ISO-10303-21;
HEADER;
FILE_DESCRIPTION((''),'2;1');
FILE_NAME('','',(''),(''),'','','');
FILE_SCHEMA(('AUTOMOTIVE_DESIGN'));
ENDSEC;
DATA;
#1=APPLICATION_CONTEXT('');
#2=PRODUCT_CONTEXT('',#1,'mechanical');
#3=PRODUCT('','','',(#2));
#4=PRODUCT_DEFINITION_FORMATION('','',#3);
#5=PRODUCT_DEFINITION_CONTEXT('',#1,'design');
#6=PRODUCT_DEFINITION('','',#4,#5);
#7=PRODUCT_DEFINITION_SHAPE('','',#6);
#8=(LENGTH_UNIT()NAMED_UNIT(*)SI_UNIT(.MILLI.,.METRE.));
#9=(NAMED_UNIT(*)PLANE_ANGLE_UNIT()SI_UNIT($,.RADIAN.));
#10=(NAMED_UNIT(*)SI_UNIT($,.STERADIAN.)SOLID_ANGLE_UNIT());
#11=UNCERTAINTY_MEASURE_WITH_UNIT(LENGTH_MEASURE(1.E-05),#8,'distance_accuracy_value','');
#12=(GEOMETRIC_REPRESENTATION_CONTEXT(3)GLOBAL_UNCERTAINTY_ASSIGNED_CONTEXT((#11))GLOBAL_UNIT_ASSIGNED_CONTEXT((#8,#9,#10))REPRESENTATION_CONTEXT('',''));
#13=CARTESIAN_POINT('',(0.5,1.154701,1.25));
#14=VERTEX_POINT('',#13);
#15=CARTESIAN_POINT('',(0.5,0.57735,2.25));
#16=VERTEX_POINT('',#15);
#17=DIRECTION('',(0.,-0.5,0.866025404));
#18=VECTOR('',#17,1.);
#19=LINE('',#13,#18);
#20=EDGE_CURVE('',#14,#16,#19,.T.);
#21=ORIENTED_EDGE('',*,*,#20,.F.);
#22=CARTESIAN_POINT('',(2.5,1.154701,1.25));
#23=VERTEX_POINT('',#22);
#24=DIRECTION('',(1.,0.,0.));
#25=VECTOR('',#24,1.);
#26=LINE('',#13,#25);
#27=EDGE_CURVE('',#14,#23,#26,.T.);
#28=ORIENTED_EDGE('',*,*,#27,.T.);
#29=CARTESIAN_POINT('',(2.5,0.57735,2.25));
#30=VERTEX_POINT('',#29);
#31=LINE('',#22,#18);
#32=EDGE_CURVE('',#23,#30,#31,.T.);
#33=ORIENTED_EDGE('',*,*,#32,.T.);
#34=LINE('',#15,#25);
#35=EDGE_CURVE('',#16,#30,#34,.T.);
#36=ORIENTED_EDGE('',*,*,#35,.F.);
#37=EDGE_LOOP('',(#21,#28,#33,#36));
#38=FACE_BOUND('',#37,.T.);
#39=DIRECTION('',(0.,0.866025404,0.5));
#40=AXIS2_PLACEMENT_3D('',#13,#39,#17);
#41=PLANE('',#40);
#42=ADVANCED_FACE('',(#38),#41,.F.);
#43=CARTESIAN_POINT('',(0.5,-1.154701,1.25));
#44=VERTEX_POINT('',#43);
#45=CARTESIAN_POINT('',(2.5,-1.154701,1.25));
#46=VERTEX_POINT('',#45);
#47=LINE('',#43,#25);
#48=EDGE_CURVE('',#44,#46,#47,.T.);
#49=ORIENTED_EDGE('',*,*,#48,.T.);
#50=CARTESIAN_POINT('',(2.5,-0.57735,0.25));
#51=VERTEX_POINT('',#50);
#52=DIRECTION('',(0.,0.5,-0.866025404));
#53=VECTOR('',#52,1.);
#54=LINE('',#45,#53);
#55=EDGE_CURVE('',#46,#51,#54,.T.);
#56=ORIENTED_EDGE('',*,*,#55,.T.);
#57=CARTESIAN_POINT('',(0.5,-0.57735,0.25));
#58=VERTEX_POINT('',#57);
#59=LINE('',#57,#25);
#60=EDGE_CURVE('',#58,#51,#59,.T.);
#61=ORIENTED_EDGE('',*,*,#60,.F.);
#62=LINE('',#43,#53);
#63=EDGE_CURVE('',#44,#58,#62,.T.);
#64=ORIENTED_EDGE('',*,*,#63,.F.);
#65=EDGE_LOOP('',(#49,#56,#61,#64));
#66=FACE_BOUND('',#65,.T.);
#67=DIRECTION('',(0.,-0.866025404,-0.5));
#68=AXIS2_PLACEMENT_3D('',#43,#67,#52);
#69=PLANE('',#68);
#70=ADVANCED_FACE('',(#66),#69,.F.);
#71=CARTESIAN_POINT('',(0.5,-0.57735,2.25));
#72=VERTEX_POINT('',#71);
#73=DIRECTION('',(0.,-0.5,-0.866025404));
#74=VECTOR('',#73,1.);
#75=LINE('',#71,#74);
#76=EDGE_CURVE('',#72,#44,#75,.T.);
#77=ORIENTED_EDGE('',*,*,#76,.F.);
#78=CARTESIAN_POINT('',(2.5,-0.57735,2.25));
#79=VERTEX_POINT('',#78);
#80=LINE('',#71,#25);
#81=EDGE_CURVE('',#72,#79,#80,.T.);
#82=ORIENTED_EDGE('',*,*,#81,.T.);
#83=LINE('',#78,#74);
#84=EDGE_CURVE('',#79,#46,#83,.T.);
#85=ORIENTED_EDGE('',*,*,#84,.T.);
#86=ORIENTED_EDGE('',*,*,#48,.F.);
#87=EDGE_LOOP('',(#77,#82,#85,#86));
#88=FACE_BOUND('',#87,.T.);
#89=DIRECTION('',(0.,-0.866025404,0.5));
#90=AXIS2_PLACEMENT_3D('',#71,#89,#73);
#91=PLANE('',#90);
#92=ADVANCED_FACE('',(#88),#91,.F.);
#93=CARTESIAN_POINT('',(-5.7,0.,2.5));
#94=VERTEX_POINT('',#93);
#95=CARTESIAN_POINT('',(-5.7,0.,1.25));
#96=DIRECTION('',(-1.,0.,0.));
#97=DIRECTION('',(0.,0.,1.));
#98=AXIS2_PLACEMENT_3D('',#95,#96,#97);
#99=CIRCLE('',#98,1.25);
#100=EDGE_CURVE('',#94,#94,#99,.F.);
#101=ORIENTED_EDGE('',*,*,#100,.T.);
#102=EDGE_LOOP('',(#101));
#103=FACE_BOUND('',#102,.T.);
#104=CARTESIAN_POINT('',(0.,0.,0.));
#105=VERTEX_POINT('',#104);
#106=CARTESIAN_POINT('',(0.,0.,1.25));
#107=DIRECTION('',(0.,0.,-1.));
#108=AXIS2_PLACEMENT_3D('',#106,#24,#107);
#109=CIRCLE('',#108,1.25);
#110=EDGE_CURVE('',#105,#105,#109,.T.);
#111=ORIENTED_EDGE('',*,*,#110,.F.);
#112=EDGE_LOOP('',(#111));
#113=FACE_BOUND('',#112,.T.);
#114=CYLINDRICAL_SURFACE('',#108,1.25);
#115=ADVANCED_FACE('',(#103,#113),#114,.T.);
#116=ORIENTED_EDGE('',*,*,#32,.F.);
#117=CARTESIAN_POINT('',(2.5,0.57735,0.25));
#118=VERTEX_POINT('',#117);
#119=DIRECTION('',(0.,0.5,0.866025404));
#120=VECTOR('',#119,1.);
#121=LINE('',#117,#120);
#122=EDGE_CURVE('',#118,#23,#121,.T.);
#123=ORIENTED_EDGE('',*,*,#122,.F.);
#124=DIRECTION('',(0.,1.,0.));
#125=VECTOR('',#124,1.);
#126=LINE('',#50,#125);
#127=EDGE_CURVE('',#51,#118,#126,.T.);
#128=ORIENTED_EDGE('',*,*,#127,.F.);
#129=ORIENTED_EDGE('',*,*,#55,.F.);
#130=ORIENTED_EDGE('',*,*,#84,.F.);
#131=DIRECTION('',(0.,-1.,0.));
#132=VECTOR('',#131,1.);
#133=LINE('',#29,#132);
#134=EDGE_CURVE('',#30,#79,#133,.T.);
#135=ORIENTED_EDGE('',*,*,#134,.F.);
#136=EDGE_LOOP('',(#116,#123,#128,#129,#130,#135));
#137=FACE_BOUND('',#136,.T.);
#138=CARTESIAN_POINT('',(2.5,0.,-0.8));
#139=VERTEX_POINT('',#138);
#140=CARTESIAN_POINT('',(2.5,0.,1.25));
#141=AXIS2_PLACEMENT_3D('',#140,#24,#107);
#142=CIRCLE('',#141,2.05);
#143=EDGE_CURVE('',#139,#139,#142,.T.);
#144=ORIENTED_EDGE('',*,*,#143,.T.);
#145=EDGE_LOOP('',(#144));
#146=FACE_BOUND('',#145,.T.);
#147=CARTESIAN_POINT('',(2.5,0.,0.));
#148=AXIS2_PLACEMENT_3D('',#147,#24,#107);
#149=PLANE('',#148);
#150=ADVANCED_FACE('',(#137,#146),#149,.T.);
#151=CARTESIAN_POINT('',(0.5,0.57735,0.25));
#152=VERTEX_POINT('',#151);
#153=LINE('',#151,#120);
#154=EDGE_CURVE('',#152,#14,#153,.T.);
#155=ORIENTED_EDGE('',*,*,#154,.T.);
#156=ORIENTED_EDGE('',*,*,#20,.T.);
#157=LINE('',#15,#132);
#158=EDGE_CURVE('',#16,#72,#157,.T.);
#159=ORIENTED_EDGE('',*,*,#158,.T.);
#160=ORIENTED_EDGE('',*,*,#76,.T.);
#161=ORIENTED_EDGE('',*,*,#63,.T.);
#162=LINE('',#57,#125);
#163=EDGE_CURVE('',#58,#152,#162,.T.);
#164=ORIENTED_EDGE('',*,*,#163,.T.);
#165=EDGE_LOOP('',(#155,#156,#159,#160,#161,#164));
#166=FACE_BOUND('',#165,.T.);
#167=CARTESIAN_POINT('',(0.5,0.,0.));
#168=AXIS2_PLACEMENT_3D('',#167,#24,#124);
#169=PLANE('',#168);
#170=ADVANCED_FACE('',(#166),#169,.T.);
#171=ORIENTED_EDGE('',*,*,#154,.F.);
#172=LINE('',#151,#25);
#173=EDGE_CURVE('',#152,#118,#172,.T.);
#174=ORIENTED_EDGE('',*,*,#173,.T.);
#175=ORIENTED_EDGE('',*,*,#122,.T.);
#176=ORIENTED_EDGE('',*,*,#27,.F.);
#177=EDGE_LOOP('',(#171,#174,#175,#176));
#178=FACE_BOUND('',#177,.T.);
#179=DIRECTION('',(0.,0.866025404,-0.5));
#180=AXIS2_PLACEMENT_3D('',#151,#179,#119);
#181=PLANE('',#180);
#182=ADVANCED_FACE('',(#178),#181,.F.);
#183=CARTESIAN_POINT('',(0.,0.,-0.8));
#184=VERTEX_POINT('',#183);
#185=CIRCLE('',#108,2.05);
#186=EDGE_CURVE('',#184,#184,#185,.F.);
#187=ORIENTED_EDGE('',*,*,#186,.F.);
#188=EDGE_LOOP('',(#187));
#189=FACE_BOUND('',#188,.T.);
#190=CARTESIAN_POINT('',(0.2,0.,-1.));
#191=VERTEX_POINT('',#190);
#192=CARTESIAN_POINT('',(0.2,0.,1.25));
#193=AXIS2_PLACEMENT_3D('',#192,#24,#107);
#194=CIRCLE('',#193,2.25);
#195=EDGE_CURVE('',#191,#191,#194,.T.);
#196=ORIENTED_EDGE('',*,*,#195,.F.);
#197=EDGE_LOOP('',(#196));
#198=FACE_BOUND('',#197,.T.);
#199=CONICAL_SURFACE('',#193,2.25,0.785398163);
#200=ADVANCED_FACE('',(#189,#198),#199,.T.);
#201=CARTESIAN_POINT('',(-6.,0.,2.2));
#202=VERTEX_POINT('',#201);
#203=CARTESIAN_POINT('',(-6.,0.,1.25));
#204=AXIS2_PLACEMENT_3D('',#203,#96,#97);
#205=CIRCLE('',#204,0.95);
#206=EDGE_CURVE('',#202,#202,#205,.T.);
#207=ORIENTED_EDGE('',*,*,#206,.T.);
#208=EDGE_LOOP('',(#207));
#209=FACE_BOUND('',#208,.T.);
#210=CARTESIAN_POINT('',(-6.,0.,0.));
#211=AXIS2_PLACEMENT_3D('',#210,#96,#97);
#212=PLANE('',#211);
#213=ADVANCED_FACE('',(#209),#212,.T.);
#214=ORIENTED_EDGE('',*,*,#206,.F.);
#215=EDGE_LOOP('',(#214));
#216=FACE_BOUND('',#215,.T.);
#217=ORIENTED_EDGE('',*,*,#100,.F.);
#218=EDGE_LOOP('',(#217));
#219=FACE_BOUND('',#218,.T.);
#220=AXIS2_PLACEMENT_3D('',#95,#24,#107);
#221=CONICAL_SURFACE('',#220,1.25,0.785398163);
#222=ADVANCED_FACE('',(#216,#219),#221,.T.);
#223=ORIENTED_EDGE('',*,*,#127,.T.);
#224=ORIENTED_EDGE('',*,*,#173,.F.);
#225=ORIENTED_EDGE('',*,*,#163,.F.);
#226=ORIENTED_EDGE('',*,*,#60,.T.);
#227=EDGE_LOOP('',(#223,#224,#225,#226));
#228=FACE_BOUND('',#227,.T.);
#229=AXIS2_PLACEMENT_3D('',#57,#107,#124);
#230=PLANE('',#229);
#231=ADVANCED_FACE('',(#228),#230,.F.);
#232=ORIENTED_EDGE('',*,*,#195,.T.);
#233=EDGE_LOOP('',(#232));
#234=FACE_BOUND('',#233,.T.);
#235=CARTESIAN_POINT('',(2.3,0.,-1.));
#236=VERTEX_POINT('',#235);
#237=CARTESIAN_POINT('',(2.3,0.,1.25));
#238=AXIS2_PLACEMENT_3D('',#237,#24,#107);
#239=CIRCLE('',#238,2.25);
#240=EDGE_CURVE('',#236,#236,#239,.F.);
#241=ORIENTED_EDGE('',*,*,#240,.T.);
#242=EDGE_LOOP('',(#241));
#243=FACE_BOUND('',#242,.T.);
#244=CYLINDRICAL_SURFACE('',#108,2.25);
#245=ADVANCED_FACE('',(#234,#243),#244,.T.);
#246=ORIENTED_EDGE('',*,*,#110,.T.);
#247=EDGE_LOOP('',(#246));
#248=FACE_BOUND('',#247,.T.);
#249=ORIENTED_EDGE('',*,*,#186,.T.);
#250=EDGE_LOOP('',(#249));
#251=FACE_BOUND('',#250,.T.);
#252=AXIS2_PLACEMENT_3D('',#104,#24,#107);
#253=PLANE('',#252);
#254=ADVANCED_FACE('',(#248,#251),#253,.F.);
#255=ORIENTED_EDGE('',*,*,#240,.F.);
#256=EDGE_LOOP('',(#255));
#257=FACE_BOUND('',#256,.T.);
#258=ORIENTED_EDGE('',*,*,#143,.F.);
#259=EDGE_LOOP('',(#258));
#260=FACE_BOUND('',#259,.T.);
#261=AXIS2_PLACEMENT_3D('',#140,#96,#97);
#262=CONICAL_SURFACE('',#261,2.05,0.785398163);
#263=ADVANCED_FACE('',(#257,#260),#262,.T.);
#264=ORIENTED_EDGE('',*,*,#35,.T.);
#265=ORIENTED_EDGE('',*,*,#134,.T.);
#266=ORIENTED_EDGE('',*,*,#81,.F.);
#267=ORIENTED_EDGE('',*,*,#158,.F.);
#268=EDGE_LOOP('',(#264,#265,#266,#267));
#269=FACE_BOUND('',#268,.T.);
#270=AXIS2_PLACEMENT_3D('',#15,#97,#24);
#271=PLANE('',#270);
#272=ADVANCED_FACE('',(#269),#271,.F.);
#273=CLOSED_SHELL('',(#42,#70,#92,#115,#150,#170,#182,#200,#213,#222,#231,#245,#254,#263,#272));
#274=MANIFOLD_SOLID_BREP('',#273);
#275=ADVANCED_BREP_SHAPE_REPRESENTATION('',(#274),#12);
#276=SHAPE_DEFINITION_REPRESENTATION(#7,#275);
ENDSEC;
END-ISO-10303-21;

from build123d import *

# Parameters (mm, degrees)
SKETCH1_W          = 6
SKETCH1_H          = 1.25
CUT_EXTRUDE1_DEPTH = 2
CHAMFER1_SIZE      = 0.2
CHAMFER2_SIZE      = 0.3


with BuildPart() as part:
    # Sketch1 → Revolve1 (revolve)
    with BuildSketch(Plane(origin=(0, 0, 0), x_dir=(1, 0, 0), z_dir=(0, 1, 0))):
        with Locations((-3, -0.625)):
            Rectangle(SKETCH1_W, SKETCH1_H)
        Polygon((0, 1), (0, 0), (0, -1.25), (2.5, -1.25), (2.5, 1), align=None)
    revolve(axis=Axis((0, 0, 1.25), (-1, 0, 0)))

    # Sketch3 → Cut-Extrude1 (cut)
    with BuildSketch(Plane(origin=(2.5, 0, 0), x_dir=(0, 0, -1), z_dir=(1, 0, 0))):
        Polygon((-1.25, 1.154700538), (-2.25, 0.577350269), (-2.25, -0.577350269), (-1.25, -1.154700538), (-0.25, -0.577350269), (-0.25, 0.577350269), align=None)
    extrude(amount=-CUT_EXTRUDE1_DEPTH, mode=Mode.SUBTRACT)

    # Chamfer1
    chamfer1_edges = [part.edges().sort_by_distance(p)[0] for p in [
        (0, 0, 3.5),
        (2.5, 0, 3.5),
    ]]
    chamfer(chamfer1_edges, length=CHAMFER1_SIZE)

    # Chamfer2
    chamfer2_edges = [part.edges().sort_by_distance(p)[0] for p in [
        (-6, 0, 2.5),
    ]]
    chamfer(chamfer2_edges, length=CHAMFER2_SIZE)


solid = part.part
